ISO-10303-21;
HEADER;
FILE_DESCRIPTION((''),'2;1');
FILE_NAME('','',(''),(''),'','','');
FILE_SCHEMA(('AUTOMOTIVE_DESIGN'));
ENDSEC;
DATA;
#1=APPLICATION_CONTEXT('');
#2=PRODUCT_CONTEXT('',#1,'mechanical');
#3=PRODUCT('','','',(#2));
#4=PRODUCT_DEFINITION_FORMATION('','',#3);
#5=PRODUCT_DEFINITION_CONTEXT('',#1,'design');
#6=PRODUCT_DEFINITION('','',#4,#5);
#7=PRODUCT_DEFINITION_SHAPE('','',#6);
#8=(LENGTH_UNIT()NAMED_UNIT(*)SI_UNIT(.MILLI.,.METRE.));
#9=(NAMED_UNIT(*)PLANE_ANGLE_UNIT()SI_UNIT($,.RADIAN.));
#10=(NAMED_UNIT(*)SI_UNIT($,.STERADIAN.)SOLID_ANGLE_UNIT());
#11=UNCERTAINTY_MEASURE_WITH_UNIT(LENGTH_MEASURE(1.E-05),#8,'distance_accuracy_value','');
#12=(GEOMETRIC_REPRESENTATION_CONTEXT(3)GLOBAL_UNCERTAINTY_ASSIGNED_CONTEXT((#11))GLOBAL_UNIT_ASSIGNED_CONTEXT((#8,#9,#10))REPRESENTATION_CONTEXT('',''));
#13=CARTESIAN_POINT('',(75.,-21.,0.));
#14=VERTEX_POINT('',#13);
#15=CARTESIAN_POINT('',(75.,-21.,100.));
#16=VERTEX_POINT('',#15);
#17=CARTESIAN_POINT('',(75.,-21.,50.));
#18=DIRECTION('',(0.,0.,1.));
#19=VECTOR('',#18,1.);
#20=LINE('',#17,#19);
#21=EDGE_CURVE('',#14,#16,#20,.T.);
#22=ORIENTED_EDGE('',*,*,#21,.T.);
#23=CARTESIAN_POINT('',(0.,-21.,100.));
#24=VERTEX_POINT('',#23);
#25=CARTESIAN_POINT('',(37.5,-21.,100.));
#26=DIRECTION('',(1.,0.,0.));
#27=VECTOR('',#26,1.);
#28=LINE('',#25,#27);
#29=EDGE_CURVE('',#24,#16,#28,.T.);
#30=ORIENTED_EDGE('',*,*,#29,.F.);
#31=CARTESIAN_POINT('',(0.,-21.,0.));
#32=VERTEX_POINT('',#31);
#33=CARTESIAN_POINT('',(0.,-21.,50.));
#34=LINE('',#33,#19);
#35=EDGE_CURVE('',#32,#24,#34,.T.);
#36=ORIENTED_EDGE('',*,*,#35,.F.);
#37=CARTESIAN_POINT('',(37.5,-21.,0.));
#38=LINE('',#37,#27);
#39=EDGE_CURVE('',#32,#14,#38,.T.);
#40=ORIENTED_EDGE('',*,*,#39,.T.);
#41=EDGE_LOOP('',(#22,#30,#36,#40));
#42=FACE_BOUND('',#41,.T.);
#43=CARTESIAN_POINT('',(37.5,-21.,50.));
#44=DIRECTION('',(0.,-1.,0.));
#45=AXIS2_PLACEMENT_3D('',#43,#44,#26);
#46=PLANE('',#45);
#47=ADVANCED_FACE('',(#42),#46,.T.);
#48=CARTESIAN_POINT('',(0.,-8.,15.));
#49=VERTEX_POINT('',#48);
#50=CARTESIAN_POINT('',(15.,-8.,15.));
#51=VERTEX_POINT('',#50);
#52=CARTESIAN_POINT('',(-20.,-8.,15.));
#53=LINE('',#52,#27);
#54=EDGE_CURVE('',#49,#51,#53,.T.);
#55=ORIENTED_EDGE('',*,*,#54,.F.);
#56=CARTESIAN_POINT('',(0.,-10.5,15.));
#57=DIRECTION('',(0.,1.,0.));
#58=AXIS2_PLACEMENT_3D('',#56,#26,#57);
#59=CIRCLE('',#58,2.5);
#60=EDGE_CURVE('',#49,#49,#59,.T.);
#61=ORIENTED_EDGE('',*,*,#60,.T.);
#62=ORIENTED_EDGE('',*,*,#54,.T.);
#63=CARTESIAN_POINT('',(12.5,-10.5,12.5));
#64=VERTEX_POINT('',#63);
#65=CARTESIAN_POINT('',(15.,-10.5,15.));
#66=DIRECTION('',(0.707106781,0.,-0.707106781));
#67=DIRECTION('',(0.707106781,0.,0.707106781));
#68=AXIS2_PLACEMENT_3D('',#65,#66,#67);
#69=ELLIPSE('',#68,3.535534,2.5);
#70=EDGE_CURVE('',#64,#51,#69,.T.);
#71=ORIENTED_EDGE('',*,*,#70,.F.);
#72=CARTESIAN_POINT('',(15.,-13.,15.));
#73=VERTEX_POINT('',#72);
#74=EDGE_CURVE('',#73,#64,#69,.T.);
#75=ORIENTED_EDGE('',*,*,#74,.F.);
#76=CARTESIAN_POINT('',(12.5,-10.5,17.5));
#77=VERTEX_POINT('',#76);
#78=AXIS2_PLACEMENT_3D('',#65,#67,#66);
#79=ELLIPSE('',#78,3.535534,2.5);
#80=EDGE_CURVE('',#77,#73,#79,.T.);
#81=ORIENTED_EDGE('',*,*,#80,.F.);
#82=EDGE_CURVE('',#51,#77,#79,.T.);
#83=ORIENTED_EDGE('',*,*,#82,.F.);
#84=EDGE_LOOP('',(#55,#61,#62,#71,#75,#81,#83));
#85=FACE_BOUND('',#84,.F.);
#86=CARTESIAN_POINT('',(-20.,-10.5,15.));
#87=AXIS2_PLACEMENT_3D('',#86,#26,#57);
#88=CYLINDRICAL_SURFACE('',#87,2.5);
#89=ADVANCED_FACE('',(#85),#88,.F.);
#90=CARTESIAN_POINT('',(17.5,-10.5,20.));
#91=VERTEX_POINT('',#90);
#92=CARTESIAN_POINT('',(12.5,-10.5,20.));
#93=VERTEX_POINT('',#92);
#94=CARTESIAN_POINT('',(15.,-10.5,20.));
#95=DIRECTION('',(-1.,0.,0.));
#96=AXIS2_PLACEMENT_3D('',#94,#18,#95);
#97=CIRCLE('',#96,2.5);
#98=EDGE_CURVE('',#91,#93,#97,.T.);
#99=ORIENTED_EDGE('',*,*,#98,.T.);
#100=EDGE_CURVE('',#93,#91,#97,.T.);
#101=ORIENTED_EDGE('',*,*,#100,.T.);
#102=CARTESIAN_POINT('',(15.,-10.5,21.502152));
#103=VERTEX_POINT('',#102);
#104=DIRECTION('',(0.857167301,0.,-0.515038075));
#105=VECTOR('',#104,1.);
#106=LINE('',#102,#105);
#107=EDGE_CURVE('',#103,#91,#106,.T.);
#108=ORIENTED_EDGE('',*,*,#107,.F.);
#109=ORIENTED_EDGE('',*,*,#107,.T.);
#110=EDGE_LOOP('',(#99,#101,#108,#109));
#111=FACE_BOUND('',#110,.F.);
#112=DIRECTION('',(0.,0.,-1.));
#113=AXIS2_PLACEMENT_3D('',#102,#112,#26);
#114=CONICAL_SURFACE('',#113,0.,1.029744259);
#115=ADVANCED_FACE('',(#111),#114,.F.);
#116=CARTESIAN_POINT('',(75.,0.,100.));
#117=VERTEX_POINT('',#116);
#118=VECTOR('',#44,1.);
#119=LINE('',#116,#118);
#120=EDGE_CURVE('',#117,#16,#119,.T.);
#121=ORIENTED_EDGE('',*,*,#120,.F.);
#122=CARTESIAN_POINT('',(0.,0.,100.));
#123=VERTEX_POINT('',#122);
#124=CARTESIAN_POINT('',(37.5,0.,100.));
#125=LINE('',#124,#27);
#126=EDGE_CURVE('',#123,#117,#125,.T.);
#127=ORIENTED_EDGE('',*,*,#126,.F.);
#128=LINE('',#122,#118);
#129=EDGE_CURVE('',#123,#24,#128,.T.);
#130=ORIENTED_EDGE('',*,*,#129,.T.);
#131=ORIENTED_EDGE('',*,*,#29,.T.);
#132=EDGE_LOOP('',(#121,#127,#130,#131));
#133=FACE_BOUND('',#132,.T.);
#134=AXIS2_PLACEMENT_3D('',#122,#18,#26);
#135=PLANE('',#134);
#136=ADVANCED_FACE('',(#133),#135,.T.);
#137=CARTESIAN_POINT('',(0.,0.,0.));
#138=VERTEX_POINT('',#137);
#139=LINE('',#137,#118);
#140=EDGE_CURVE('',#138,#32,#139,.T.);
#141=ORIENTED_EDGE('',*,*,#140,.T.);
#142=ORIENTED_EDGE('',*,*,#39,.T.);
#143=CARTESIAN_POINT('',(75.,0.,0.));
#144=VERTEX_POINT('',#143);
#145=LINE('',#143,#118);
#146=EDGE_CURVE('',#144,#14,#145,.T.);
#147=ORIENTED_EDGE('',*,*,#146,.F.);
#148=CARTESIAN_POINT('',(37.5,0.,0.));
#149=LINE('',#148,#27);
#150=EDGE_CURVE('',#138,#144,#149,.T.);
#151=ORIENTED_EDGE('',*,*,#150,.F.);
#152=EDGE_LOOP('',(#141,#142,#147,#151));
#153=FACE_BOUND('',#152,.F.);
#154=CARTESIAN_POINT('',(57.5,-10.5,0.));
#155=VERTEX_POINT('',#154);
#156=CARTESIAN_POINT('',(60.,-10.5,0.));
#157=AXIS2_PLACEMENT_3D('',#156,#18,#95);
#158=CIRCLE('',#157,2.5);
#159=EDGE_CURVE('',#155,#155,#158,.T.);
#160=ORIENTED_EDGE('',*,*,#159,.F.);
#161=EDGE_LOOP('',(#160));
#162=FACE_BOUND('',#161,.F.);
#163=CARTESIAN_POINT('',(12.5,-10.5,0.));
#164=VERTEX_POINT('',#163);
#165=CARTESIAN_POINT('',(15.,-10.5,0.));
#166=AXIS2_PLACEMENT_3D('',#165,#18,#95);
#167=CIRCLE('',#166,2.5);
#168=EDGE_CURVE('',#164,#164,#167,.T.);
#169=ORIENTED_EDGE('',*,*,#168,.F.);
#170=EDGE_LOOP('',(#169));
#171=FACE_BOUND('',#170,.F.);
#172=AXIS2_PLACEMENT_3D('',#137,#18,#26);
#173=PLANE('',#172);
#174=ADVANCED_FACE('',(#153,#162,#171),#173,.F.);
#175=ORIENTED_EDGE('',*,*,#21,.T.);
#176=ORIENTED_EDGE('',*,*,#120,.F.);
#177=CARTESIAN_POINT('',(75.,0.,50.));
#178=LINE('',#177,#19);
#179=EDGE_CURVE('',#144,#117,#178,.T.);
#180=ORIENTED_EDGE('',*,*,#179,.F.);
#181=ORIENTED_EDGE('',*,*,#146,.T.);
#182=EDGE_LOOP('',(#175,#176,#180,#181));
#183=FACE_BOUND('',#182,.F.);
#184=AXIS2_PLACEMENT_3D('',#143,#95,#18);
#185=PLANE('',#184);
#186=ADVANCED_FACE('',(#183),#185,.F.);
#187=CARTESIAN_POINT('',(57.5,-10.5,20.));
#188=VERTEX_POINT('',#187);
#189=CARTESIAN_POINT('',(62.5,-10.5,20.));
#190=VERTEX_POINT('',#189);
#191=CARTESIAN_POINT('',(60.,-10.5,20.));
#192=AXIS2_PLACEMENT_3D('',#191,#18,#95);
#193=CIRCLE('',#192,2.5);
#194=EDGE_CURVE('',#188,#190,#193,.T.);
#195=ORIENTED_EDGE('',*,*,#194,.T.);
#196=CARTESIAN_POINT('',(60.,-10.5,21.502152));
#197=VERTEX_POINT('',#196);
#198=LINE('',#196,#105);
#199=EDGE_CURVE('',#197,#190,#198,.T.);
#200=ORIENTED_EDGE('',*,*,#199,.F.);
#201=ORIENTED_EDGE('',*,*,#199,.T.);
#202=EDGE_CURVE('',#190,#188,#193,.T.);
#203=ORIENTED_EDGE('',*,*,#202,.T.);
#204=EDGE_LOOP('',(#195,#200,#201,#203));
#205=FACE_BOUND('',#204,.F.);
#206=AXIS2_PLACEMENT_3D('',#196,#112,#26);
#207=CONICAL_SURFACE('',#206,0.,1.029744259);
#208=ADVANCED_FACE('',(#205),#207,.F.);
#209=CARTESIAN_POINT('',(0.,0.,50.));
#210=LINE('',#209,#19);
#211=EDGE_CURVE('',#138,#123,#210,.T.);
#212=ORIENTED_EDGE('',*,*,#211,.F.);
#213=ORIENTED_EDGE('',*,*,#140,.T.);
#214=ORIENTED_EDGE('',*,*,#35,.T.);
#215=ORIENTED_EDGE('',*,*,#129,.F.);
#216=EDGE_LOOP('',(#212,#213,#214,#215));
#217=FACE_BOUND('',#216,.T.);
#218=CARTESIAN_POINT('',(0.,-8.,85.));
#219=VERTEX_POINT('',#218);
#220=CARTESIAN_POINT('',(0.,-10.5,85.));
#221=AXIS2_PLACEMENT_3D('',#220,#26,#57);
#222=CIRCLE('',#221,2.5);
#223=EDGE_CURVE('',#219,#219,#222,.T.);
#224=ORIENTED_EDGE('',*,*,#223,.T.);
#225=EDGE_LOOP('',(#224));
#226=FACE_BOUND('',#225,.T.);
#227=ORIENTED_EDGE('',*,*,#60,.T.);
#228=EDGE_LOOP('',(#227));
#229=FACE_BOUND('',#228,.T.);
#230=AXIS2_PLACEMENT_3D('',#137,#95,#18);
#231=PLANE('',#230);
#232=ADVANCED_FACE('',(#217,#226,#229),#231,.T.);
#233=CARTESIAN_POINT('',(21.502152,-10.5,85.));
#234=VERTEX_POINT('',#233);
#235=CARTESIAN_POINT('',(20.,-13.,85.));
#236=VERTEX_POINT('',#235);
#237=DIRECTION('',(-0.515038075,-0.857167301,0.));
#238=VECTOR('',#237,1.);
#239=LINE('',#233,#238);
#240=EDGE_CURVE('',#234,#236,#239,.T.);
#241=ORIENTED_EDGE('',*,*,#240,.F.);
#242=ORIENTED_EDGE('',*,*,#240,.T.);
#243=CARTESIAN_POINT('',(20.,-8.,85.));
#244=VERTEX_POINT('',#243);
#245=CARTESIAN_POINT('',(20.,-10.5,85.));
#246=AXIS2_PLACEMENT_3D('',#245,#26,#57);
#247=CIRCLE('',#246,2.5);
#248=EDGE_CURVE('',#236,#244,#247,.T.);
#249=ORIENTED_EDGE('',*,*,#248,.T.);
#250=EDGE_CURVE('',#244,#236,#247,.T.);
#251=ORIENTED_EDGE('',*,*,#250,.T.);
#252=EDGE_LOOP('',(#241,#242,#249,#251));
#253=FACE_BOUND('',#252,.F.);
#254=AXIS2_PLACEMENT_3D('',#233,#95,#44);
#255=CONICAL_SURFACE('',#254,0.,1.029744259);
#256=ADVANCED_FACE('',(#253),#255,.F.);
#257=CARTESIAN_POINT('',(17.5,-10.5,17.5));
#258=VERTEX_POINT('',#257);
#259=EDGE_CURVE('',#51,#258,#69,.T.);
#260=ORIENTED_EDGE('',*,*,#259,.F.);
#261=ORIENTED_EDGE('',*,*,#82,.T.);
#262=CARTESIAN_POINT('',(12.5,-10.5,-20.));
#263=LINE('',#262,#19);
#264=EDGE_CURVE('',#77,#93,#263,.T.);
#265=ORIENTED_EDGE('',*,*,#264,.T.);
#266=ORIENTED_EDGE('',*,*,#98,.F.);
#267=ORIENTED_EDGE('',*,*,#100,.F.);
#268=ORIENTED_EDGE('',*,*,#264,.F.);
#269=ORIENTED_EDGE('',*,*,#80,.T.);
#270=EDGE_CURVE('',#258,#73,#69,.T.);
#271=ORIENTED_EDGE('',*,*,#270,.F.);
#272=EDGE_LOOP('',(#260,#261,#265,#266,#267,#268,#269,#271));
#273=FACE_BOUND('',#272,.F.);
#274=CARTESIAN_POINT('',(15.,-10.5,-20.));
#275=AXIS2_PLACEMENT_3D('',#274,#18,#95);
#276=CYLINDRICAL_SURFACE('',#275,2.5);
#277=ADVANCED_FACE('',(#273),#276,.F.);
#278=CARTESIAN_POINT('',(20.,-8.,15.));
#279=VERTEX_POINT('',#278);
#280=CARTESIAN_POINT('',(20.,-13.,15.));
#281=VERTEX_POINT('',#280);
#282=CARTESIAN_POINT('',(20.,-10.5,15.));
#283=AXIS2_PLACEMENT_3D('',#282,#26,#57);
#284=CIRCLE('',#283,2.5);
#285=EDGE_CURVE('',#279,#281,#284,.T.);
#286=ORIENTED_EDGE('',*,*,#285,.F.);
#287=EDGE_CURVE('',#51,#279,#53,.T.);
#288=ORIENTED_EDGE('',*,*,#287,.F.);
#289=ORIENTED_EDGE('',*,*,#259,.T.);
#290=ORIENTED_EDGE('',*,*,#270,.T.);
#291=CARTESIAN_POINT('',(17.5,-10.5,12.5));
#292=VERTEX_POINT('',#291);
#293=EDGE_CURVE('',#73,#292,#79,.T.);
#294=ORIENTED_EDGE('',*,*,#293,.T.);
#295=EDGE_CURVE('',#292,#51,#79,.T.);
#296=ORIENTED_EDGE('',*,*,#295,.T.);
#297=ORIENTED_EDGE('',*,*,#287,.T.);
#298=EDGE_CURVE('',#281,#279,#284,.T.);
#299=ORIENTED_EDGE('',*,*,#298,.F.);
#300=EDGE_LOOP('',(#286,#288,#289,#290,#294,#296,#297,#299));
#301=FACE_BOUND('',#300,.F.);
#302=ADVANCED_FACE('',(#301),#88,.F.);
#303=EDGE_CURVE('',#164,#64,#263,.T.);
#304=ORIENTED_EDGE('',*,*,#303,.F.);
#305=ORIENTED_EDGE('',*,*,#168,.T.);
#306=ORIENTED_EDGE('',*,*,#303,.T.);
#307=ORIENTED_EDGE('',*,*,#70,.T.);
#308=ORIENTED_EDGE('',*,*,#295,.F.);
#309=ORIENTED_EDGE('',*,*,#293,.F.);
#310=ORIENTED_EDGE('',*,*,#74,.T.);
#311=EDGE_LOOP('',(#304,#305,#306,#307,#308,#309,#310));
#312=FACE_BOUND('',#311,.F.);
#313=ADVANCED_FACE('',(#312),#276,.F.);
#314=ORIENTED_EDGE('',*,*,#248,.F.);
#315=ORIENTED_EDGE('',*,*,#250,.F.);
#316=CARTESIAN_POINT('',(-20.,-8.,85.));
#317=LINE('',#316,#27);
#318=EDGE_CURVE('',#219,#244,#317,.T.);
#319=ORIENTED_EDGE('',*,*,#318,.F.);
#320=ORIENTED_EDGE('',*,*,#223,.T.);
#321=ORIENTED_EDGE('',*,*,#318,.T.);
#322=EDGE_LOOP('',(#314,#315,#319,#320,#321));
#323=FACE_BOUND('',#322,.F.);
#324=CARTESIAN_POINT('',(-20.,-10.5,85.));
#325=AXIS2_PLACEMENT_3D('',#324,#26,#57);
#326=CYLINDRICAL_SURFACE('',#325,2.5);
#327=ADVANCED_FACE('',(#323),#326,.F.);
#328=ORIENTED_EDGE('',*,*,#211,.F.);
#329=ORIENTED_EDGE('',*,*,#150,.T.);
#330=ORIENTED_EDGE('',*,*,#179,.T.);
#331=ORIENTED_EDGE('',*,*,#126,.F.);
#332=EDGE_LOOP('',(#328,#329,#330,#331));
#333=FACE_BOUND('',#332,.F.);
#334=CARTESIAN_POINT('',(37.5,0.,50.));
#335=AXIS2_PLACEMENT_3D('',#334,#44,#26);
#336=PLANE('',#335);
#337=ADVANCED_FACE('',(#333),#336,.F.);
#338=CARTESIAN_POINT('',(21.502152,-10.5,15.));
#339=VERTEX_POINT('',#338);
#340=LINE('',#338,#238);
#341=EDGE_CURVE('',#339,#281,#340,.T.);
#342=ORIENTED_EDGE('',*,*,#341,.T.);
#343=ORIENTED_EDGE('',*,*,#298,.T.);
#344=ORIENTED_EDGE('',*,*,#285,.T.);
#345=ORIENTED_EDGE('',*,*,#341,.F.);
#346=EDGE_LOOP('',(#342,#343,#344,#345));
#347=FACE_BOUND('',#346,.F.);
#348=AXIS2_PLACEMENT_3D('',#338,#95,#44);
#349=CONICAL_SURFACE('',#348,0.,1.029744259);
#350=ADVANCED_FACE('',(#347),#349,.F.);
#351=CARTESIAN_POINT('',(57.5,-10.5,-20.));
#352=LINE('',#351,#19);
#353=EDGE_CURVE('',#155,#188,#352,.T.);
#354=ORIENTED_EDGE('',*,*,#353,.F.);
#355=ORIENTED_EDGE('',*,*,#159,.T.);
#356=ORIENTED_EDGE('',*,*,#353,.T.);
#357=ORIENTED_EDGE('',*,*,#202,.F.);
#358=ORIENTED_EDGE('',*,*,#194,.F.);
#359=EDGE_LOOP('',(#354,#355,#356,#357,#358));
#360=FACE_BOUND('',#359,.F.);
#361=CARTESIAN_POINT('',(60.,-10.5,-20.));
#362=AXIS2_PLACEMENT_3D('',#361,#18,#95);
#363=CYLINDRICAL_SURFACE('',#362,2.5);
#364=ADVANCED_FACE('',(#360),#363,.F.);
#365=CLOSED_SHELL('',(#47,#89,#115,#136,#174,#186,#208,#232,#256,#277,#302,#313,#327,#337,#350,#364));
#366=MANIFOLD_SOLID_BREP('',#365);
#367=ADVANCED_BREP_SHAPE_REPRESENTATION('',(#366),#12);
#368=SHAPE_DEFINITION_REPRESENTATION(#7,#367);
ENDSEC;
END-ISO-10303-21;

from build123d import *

# Parameters (mm, degrees)
F0_W           = 75
F0_H           = 100
F1_DEPTH       = 21
F4_D           = 5
F4_DEPTH       = 20
F4_TIP         = 1.5021515476
F4_ON_F3_D     = 5
F4_ON_F3_DEPTH = 20
F4_ON_F3_TIP   = 1.5021515476


with BuildPart() as f1:
    # F0 (on Front) → F1 (new body)
    with BuildSketch(Plane.XZ):
        with Locations((37.5, 50)):
            Rectangle(F0_W, F0_H)
    extrude(amount=F1_DEPTH)

    # F4
    with Locations(Plane(origin=(0, 0, 0), x_dir=(0, -1, 0), z_dir=(-1, 0, 0))):
        with Locations((10.5, 15), (10.5, 85)):
            Hole(F4_D / 2, depth=F4_DEPTH)
            with Locations((0, 0, -(F4_DEPTH + F4_TIP / 2))):  # 118° drill point
                Cone(0, F4_D / 2, F4_TIP, mode=Mode.SUBTRACT)

    # F4 on F3
    with Locations(Plane(origin=(0, 0, 0), x_dir=(1, 0, 0), z_dir=(0, 0, -1))):
        with Locations((15, 10.5), (60, 10.5)):
            Hole(F4_ON_F3_D / 2, depth=F4_ON_F3_DEPTH)
            with Locations((0, 0, -(F4_ON_F3_DEPTH + F4_ON_F3_TIP / 2))):  # 118° drill point
                Cone(0, F4_ON_F3_D / 2, F4_ON_F3_TIP, mode=Mode.SUBTRACT)


solid = f1.part
